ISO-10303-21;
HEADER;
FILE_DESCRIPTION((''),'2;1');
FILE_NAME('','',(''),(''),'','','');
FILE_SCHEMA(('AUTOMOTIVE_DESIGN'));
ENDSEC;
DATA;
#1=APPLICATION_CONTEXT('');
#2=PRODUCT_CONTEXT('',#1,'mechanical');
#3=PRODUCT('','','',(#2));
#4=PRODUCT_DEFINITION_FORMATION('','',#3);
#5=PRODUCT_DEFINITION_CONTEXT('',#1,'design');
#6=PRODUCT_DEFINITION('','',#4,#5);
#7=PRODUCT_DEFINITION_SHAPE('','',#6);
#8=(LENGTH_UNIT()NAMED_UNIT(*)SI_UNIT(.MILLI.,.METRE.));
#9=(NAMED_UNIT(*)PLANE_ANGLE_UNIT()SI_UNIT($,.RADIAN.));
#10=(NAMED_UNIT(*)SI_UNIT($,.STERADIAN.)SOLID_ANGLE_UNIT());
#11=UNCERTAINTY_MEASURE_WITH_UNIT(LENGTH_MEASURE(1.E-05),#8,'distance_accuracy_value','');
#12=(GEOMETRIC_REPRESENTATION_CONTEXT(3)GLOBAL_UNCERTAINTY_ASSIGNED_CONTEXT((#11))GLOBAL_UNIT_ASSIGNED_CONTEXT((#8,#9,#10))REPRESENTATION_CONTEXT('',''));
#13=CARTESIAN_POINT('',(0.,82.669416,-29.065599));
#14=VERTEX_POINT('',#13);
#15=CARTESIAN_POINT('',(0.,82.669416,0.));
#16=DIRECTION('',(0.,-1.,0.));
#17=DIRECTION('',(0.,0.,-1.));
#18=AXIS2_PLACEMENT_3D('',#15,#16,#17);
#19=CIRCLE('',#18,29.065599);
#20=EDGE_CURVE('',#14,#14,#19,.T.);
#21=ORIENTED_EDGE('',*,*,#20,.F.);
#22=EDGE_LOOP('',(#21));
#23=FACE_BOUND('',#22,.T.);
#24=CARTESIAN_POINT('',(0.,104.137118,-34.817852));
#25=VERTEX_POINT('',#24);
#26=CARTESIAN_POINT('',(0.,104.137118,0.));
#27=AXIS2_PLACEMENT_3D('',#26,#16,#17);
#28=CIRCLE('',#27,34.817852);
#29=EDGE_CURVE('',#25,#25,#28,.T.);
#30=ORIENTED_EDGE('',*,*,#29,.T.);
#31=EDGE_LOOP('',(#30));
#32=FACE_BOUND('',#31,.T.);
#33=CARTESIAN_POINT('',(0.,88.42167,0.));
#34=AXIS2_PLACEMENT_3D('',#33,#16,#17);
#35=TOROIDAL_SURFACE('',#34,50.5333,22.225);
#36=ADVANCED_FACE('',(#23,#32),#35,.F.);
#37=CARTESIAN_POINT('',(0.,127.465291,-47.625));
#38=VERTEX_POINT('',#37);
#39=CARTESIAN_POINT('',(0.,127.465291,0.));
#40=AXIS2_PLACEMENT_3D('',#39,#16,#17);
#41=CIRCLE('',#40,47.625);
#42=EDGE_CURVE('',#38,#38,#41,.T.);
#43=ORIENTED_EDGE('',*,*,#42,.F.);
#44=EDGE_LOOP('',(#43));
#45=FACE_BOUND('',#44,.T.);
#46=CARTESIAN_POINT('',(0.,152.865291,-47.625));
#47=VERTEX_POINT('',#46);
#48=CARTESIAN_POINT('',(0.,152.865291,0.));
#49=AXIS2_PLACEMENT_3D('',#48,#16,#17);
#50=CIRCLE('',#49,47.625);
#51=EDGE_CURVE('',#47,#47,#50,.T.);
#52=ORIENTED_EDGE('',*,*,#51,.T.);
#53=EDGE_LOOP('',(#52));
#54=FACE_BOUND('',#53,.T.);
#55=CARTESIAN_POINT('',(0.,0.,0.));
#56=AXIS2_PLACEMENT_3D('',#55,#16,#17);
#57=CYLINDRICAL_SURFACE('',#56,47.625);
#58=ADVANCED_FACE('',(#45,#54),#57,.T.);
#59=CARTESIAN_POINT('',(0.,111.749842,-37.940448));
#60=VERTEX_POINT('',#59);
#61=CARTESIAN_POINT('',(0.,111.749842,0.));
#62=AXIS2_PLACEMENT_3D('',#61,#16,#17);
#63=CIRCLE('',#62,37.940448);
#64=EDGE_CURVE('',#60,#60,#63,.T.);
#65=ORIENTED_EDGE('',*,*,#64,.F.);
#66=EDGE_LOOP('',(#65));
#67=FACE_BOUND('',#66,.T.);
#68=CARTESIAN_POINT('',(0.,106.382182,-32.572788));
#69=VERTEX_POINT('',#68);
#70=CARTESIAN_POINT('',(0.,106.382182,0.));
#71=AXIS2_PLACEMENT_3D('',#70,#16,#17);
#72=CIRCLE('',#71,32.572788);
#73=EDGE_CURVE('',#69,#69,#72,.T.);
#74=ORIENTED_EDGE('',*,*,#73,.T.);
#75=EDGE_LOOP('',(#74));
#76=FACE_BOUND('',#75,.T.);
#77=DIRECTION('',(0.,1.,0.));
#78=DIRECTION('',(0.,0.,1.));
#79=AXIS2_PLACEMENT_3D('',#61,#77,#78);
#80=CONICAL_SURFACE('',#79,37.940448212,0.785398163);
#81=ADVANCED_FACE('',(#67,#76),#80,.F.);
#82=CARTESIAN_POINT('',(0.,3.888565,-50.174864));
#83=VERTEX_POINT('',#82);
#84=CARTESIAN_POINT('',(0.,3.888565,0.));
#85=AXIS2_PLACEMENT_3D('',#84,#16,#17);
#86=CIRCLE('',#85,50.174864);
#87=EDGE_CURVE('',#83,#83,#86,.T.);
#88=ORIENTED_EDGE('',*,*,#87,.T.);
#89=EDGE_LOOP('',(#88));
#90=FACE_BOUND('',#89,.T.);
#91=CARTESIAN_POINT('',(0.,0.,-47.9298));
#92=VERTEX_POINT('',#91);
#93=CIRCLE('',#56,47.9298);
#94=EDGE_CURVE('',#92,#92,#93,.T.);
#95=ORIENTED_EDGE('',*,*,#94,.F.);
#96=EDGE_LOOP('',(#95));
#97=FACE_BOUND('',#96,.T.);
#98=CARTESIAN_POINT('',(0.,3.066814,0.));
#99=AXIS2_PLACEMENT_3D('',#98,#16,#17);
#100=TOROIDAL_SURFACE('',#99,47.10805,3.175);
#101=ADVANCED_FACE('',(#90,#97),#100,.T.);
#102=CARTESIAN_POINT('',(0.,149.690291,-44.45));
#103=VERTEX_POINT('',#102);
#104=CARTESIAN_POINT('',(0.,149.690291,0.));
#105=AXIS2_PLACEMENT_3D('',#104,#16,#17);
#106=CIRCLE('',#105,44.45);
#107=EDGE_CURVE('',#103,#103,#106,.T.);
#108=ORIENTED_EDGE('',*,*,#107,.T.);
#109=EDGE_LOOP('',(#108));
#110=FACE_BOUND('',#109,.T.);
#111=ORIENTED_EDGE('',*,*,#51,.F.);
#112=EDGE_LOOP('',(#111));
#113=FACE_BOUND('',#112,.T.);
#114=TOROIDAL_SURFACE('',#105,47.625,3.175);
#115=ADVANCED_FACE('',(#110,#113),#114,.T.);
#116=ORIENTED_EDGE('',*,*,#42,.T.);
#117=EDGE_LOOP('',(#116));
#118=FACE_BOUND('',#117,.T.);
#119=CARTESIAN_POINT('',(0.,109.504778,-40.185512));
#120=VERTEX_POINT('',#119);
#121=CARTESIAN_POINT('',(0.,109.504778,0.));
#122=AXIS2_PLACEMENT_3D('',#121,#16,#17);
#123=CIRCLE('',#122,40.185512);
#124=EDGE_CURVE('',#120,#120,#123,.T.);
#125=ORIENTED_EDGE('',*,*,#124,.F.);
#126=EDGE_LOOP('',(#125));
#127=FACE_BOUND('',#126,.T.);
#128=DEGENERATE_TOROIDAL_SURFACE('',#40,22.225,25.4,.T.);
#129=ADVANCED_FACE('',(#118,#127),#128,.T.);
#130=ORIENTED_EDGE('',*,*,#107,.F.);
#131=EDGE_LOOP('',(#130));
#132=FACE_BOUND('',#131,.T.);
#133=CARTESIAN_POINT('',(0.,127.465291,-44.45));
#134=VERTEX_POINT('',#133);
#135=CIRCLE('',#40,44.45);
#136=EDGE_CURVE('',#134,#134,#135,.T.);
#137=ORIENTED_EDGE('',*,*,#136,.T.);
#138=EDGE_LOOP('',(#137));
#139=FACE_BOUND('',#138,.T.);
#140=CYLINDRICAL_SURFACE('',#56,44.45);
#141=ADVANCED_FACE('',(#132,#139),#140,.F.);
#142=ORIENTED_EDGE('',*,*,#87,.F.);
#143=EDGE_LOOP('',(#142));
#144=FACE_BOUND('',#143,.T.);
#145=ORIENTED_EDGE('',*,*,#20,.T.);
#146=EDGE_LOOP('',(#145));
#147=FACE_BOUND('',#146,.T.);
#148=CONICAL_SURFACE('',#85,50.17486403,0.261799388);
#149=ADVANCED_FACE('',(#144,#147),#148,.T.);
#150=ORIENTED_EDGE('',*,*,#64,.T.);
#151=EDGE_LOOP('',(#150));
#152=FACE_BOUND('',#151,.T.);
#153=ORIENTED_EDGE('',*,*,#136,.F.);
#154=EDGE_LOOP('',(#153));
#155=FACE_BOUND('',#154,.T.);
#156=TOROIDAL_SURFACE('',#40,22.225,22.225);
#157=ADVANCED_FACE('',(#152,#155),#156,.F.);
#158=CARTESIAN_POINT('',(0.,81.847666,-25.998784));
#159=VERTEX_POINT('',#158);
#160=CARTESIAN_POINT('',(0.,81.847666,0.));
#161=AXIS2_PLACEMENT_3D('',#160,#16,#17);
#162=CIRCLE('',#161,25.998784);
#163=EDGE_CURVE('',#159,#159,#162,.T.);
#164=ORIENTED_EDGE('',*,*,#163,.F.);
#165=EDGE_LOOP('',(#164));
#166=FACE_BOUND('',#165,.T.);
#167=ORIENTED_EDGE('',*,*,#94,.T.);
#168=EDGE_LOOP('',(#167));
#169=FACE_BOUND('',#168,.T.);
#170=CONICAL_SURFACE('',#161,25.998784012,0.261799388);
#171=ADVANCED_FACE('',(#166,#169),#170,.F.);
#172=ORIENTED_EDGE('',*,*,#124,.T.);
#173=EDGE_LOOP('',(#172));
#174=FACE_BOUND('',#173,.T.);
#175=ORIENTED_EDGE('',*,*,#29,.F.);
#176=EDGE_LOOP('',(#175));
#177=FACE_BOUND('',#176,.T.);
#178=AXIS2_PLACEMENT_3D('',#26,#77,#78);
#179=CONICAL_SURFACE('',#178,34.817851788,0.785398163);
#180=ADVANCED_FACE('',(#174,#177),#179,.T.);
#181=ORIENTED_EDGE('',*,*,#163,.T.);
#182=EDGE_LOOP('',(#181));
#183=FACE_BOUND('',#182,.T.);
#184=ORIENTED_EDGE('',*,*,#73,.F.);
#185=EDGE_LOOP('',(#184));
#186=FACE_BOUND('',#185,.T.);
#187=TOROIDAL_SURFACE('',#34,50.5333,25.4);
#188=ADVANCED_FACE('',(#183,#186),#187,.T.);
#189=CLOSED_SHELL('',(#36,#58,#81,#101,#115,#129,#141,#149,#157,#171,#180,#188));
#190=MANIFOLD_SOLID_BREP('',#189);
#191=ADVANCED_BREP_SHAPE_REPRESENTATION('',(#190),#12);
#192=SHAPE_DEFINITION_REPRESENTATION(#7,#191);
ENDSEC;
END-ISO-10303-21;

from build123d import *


with BuildPart() as part:
    # Sketch1 → Revolve1 (revolve)
    with BuildSketch(Plane.XY, mode=Mode.PRIVATE) as revolve1_sk:
        with BuildLine():
            Line((47.9298, 0), (25.998784012, 81.847665928))
            ThreePointArc((25.998784012, 81.847665928), (25.998784012, 94.995673419), (32.572787758, 106.382181916))
            Line((32.572787758, 106.382181916), (37.940448212, 111.74984237))
            ThreePointArc((37.940448212, 111.74984237), (42.75822261, 118.960151297), (44.45, 127.465290581))
            Line((44.45, 127.465290581), (44.45, 149.690290581))
            ThreePointArc((44.45, 149.690290581), (45.37993597, 151.935354612), (47.625, 152.865290581))
            Line((47.625, 152.865290581), (47.625, 127.465290581))
            ThreePointArc((47.625, 127.465290581), (45.691540126, 117.745131399), (40.185512242, 109.504778339))
            Line((40.185512242, 109.504778339), (34.817851788, 104.137117885))
            ThreePointArc((34.817851788, 104.137117885), (29.065598511, 94.173922951), (29.065598511, 82.669416396))
            Line((29.065598511, 82.669416396), (50.17486403, 3.888564967))
            ThreePointArc((50.17486403, 3.888564967), (49.857680189, 1.479314498), (47.9298, 0))
        make_face()
    revolve(revolve1_sk.sketch.rotate(Axis((0, 0, 0), (0, 1, 0)), 90), axis=Axis((0, 0, 0), (0, 1, 0)))


solid = part.part
